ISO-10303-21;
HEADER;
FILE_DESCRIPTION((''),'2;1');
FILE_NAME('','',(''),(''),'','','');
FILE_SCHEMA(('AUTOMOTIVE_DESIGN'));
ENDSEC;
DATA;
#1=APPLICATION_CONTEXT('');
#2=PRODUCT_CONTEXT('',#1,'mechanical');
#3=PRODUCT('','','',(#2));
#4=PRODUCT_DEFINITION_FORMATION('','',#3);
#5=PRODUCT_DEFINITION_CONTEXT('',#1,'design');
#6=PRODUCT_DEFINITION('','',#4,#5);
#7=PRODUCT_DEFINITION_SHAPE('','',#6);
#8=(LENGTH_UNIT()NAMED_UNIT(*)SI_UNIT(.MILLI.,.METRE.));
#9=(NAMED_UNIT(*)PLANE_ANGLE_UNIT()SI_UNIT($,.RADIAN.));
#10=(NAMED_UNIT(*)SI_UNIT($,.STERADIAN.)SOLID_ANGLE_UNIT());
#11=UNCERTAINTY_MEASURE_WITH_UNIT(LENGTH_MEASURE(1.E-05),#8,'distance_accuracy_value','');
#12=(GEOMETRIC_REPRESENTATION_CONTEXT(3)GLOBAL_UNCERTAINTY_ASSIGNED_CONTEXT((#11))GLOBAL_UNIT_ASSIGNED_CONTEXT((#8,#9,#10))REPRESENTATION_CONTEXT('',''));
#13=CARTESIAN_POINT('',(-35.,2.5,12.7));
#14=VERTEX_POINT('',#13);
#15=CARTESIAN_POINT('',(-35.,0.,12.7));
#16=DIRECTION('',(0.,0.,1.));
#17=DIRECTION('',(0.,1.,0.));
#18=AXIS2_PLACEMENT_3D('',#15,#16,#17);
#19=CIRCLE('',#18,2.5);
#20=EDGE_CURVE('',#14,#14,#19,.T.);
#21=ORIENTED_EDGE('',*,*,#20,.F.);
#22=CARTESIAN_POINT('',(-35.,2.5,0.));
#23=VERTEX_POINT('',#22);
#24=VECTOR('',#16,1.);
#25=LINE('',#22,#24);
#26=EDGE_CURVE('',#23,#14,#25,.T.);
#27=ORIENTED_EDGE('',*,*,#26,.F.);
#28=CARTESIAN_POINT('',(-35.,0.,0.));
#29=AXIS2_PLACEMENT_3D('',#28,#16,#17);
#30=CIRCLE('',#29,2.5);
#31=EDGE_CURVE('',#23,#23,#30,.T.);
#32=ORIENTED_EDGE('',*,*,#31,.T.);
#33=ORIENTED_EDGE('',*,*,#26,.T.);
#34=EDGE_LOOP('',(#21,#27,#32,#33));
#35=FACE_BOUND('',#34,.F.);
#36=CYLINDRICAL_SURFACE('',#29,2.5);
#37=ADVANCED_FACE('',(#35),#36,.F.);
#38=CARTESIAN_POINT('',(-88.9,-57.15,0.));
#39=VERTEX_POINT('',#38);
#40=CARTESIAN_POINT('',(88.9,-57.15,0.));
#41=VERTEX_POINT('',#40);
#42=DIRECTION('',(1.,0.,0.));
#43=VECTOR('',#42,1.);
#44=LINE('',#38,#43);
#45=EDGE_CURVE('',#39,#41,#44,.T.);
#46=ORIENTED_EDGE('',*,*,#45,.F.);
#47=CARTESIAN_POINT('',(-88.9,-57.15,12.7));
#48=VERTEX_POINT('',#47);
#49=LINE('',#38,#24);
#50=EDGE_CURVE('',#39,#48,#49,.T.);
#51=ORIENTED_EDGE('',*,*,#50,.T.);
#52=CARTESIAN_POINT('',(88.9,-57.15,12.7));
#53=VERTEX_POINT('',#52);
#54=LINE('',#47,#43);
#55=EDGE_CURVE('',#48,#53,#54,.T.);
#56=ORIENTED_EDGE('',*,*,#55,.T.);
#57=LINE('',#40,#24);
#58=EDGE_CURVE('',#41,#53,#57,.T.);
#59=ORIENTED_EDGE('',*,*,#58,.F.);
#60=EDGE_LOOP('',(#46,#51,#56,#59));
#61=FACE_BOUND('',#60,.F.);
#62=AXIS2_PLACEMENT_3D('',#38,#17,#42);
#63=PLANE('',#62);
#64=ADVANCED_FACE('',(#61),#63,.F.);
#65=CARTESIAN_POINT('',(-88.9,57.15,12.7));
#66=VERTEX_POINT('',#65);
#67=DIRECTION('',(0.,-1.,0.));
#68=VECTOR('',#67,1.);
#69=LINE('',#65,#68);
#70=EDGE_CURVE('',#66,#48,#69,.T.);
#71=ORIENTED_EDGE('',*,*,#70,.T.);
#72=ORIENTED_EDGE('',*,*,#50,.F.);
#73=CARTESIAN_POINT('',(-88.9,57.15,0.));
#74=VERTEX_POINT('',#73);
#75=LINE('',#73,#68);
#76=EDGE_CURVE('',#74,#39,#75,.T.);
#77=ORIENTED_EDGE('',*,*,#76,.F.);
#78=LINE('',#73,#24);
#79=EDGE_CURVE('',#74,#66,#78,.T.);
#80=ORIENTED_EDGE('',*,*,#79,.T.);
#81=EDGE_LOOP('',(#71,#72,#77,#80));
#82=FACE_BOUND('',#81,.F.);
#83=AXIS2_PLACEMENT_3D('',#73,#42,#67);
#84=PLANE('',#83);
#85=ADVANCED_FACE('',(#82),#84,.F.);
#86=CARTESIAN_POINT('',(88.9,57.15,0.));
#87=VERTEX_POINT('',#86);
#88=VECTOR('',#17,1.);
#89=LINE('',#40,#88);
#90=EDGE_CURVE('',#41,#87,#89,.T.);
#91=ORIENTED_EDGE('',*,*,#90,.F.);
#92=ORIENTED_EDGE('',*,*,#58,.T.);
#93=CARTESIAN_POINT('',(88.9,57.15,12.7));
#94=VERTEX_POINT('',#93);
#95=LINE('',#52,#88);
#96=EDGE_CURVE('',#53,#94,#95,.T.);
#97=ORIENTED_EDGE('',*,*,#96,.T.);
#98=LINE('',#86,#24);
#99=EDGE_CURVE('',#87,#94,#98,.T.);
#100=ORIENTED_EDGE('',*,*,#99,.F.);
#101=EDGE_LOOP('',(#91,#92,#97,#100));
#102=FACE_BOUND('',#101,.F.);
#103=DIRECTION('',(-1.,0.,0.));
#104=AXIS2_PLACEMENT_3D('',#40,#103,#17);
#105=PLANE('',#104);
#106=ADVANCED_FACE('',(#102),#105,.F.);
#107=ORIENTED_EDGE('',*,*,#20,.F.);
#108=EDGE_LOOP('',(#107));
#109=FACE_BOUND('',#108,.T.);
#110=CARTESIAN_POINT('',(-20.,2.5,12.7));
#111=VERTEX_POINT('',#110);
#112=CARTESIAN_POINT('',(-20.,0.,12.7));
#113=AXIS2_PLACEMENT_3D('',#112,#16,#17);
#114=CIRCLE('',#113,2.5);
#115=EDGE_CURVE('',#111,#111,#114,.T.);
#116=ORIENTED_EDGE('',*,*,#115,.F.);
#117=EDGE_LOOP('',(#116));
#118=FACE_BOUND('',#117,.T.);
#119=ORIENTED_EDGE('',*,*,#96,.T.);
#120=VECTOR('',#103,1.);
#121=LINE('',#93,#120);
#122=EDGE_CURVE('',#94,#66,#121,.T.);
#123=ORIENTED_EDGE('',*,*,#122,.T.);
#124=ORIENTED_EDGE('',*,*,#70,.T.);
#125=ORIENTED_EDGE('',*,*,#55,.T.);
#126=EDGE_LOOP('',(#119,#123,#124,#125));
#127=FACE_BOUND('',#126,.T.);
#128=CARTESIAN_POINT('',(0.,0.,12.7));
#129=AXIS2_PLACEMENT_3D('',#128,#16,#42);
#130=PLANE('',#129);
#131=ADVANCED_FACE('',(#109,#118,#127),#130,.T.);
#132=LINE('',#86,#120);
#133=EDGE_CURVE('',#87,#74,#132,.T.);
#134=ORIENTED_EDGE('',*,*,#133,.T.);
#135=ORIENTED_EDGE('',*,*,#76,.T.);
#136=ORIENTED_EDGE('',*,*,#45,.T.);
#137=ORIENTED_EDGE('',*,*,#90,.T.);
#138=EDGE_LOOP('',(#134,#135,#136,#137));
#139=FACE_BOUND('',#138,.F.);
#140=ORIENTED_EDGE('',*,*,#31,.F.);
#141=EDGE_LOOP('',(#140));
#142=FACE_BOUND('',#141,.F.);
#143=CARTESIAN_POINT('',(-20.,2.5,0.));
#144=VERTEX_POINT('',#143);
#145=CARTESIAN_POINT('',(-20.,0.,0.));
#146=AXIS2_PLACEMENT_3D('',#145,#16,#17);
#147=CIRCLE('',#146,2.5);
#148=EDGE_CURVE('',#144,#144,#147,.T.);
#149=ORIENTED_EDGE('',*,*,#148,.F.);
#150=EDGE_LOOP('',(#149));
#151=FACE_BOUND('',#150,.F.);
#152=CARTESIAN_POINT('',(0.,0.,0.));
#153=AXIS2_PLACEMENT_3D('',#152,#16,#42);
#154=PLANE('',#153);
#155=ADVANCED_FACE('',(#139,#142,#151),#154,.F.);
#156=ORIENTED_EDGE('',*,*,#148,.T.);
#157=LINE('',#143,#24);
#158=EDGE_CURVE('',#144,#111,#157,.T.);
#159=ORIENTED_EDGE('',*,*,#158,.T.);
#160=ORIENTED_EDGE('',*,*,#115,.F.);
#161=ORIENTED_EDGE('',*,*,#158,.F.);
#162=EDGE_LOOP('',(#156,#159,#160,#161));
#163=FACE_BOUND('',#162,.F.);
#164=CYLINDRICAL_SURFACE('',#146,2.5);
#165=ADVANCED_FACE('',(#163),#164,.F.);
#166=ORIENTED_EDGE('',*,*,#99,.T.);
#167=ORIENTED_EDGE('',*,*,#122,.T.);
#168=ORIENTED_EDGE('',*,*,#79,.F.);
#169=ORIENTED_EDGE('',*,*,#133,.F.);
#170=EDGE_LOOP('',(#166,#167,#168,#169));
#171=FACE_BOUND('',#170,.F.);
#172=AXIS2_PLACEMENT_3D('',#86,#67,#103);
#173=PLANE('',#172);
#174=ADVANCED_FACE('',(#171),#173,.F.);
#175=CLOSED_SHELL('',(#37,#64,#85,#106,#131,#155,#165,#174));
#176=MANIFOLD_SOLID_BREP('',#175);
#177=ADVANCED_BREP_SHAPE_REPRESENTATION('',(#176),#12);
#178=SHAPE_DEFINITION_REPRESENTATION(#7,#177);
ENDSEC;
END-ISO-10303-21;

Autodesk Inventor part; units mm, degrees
ref_plane "YZ Plane" through (0, 0, 0) normal (1, 0, 0) x (0, 1, 0)
ref_plane "XZ Plane" through (0, 0, 0) normal (0, 1, 0) x (-1, 0, 0)
ref_plane "XY Plane" through (0, 0, 0) normal (0, 0, 1) x (1, 0, 0)
sketch "Sketch1" plane through (0, 0, 0) normal (0, 0, 1) x (1, 0, 0)
  line L0 (-88.9, -57.15) -> (88.9, -57.15)
  line L1 (88.9, -57.15) -> (88.9, 57.15)
  line L2 (88.9, 57.15) -> (-88.9, 57.15)
  line L3 (-88.9, 57.15) -> (-88.9, -57.15)
  line L4 (-40, -6.35) -> (40, -6.35)
  line L5 (40, -6.35) -> (40, 6.35)
  line L6 (40, 6.35) -> (-40, 6.35)
  line L7 (-40, 6.35) -> (-40, -6.35)
  point P0 (-35, 0)
  point P1 (-20, 0)
  dimension "d0" = 177.8
  dimension "d1" = 114.3
  dimension "d2" = 80
  dimension "d3" = 12.7
extrude "Extrusion1" add sketch "Sketch1" along normal blind 12.7 contours L3 L2 L1 L0 | L7 L6 L5 L4
hole "Hole1" at (-35, 0, 0) at (-20, 0, 0) direction (0, 0, 1) diameter 5 end through all
properties part number "LoadCellLowerSide"
